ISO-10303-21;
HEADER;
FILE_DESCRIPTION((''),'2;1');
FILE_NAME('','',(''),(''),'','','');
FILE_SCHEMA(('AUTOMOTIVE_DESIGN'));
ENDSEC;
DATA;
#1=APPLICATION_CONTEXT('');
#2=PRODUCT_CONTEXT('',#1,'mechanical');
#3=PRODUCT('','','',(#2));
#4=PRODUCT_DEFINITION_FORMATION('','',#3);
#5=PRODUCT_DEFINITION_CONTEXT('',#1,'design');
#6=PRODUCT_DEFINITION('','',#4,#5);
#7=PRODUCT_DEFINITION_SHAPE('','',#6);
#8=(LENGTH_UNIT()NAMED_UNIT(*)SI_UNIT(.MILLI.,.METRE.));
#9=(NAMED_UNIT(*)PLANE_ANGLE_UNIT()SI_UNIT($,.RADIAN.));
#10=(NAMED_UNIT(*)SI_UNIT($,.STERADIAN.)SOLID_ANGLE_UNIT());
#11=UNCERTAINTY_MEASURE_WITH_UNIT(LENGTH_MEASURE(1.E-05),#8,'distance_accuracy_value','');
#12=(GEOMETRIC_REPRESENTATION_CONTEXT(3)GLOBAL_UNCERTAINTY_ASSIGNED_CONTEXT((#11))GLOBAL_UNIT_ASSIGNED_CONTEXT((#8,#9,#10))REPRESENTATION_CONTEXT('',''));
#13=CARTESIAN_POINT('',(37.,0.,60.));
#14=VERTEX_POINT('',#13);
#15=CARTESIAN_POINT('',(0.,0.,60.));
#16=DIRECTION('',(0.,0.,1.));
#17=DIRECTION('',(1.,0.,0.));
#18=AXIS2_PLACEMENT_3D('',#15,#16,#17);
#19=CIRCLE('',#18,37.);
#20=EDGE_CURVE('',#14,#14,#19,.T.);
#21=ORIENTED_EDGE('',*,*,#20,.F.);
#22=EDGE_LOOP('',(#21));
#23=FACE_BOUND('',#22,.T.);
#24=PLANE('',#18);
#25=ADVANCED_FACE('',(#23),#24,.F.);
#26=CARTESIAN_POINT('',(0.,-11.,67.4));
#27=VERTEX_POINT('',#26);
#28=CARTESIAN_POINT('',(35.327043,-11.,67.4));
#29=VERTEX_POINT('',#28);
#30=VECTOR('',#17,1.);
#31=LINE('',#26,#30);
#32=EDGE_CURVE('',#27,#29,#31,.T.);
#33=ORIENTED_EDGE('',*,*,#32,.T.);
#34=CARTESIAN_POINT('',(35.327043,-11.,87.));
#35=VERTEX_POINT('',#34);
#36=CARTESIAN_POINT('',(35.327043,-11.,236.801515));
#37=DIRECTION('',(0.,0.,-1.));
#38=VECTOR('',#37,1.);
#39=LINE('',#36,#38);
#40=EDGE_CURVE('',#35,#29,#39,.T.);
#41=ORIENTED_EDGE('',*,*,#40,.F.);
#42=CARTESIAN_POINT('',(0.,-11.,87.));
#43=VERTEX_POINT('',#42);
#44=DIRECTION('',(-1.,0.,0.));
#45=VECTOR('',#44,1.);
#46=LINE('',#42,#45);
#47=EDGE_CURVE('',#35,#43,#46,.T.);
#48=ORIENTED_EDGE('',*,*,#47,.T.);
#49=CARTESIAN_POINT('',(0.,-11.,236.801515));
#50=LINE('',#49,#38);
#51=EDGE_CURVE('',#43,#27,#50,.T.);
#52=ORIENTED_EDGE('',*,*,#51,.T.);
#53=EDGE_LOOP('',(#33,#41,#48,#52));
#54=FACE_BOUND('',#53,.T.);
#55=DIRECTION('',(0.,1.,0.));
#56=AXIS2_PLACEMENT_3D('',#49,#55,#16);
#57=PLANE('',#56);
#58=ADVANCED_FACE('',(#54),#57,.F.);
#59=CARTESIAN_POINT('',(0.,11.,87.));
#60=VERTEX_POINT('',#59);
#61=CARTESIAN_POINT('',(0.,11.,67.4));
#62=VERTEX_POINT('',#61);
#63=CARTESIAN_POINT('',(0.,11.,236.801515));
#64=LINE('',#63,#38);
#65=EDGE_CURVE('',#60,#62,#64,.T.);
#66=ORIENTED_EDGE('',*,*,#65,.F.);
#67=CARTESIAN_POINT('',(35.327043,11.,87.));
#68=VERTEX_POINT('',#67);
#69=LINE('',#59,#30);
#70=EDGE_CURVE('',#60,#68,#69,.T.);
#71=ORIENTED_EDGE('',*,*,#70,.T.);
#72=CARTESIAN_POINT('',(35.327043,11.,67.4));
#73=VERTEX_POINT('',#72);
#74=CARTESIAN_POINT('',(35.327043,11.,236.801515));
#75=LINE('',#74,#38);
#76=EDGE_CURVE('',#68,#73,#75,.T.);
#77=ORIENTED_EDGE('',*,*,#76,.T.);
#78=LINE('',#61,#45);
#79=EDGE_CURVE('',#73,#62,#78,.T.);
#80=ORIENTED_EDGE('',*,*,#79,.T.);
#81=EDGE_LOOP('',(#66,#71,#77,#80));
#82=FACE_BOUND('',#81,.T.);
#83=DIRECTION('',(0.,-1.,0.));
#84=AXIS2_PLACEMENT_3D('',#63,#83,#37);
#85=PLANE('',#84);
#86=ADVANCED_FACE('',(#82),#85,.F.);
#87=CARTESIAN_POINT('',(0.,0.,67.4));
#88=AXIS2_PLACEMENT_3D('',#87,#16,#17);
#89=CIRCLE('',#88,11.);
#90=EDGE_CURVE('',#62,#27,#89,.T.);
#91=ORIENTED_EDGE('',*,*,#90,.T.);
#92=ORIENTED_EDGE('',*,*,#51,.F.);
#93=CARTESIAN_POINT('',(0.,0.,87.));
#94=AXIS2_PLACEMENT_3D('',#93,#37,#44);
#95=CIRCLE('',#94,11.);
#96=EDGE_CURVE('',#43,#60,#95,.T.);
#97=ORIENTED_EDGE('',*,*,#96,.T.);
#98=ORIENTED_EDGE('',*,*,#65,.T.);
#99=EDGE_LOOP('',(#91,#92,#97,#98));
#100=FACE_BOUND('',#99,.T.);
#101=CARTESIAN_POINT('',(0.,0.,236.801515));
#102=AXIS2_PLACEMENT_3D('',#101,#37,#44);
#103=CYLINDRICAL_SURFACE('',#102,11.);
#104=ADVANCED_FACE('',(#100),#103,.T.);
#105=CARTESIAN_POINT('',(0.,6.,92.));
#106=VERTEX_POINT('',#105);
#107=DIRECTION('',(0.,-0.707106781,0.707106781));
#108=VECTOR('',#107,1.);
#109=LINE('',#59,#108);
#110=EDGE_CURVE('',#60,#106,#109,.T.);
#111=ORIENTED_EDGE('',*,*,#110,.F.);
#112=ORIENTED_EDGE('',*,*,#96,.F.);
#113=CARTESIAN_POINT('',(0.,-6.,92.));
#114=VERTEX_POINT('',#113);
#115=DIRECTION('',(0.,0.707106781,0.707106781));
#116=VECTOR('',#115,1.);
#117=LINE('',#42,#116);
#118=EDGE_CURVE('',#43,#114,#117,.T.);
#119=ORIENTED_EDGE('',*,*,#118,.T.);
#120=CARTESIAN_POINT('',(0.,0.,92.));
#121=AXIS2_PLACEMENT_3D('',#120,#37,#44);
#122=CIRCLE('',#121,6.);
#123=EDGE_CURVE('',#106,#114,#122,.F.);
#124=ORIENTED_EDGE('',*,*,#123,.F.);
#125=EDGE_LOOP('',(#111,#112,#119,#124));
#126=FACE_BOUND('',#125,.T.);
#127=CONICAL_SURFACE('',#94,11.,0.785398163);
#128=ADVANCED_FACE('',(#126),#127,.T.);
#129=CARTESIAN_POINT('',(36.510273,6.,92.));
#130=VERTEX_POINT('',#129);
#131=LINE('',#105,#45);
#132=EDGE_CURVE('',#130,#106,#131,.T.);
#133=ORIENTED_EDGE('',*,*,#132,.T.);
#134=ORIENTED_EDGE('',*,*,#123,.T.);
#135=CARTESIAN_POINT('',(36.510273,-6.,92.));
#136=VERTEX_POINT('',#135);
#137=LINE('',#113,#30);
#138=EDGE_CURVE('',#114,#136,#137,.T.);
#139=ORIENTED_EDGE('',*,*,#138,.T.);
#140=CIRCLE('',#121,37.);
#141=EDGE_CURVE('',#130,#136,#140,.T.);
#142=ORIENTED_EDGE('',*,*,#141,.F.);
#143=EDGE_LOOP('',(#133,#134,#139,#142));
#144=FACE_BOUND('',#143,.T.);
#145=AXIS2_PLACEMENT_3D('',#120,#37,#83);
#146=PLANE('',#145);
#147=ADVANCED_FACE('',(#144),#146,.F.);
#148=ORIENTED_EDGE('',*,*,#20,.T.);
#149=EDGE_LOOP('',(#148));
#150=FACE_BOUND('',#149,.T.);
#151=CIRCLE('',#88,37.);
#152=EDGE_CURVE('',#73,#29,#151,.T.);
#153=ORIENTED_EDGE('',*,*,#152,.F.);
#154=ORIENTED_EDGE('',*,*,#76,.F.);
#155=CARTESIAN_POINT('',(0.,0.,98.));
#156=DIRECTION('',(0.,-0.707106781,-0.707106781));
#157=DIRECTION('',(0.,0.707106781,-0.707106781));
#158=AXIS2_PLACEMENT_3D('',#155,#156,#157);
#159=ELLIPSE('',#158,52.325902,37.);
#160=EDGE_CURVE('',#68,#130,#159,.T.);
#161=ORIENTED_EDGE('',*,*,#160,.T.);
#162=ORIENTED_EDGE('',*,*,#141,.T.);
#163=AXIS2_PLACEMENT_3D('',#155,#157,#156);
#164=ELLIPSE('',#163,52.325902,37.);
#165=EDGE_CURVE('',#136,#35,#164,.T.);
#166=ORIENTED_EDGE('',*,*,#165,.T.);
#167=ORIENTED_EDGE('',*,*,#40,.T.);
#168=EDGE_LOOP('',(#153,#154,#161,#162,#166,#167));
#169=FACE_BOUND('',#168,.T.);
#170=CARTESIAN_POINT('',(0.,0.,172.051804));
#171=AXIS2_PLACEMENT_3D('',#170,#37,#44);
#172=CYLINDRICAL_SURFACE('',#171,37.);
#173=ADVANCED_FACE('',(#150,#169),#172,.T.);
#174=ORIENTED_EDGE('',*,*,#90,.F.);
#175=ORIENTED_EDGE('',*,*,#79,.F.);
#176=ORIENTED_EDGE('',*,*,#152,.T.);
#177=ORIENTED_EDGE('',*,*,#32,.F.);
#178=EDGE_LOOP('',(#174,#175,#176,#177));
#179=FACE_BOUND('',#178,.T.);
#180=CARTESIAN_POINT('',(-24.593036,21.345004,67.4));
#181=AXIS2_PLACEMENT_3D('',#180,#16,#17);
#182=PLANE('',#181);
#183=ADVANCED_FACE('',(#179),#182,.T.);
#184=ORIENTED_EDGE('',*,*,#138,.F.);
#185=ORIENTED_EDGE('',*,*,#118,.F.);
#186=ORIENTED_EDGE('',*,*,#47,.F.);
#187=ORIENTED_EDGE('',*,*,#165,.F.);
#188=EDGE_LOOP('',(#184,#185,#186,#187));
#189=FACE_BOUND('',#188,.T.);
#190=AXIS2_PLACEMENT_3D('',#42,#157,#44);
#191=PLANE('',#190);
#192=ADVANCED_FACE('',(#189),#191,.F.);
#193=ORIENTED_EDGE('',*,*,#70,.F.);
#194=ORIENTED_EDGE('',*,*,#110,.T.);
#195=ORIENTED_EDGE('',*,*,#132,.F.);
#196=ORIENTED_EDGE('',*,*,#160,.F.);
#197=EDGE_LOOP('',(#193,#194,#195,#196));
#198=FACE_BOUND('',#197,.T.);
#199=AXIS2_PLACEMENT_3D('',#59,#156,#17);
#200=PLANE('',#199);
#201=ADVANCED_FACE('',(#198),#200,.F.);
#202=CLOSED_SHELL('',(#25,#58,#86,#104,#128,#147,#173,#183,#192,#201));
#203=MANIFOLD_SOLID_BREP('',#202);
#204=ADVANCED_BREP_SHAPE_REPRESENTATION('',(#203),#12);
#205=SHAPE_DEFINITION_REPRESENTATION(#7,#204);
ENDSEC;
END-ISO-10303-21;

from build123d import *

# Parameters (mm, degrees)
SKETCH1_R           = 37
BOSS_EXTRUDE1_DEPTH = 7.4
BOSS_EXTRUDE2_DEPTH = 24.6
CHAMFER1_SIZE       = 5


with BuildPart() as part:
    # Sketch1 → Boss-Extrude1 (new body)
    with BuildSketch(Plane.XY.offset(60)):
        Circle(SKETCH1_R)
    extrude(amount=BOSS_EXTRUDE1_DEPTH)

    # Sketch2 → Boss-Extrude2 (add)
    with BuildSketch(Plane.XY.offset(67.4)):
        with BuildLine():
            Line((0, 11), (35.327043, 11))
            ThreePointArc((35.327043, 11), (37, 0), (35.327043, -11))
            Line((35.327043, -11), (0, -11))
            ThreePointArc((0, -11), (-11, 0), (0, 11))
        make_face()
    extrude(amount=BOSS_EXTRUDE2_DEPTH)

    # Chamfer1
    chamfer1_edges = [part.edges().sort_by_distance(p)[0] for p in [
        (17.663522, 11, 92),
        (17.663522, -11, 92),
        (-11, 0, 92),
    ]]
    chamfer(chamfer1_edges, length=CHAMFER1_SIZE)


solid = part.part
